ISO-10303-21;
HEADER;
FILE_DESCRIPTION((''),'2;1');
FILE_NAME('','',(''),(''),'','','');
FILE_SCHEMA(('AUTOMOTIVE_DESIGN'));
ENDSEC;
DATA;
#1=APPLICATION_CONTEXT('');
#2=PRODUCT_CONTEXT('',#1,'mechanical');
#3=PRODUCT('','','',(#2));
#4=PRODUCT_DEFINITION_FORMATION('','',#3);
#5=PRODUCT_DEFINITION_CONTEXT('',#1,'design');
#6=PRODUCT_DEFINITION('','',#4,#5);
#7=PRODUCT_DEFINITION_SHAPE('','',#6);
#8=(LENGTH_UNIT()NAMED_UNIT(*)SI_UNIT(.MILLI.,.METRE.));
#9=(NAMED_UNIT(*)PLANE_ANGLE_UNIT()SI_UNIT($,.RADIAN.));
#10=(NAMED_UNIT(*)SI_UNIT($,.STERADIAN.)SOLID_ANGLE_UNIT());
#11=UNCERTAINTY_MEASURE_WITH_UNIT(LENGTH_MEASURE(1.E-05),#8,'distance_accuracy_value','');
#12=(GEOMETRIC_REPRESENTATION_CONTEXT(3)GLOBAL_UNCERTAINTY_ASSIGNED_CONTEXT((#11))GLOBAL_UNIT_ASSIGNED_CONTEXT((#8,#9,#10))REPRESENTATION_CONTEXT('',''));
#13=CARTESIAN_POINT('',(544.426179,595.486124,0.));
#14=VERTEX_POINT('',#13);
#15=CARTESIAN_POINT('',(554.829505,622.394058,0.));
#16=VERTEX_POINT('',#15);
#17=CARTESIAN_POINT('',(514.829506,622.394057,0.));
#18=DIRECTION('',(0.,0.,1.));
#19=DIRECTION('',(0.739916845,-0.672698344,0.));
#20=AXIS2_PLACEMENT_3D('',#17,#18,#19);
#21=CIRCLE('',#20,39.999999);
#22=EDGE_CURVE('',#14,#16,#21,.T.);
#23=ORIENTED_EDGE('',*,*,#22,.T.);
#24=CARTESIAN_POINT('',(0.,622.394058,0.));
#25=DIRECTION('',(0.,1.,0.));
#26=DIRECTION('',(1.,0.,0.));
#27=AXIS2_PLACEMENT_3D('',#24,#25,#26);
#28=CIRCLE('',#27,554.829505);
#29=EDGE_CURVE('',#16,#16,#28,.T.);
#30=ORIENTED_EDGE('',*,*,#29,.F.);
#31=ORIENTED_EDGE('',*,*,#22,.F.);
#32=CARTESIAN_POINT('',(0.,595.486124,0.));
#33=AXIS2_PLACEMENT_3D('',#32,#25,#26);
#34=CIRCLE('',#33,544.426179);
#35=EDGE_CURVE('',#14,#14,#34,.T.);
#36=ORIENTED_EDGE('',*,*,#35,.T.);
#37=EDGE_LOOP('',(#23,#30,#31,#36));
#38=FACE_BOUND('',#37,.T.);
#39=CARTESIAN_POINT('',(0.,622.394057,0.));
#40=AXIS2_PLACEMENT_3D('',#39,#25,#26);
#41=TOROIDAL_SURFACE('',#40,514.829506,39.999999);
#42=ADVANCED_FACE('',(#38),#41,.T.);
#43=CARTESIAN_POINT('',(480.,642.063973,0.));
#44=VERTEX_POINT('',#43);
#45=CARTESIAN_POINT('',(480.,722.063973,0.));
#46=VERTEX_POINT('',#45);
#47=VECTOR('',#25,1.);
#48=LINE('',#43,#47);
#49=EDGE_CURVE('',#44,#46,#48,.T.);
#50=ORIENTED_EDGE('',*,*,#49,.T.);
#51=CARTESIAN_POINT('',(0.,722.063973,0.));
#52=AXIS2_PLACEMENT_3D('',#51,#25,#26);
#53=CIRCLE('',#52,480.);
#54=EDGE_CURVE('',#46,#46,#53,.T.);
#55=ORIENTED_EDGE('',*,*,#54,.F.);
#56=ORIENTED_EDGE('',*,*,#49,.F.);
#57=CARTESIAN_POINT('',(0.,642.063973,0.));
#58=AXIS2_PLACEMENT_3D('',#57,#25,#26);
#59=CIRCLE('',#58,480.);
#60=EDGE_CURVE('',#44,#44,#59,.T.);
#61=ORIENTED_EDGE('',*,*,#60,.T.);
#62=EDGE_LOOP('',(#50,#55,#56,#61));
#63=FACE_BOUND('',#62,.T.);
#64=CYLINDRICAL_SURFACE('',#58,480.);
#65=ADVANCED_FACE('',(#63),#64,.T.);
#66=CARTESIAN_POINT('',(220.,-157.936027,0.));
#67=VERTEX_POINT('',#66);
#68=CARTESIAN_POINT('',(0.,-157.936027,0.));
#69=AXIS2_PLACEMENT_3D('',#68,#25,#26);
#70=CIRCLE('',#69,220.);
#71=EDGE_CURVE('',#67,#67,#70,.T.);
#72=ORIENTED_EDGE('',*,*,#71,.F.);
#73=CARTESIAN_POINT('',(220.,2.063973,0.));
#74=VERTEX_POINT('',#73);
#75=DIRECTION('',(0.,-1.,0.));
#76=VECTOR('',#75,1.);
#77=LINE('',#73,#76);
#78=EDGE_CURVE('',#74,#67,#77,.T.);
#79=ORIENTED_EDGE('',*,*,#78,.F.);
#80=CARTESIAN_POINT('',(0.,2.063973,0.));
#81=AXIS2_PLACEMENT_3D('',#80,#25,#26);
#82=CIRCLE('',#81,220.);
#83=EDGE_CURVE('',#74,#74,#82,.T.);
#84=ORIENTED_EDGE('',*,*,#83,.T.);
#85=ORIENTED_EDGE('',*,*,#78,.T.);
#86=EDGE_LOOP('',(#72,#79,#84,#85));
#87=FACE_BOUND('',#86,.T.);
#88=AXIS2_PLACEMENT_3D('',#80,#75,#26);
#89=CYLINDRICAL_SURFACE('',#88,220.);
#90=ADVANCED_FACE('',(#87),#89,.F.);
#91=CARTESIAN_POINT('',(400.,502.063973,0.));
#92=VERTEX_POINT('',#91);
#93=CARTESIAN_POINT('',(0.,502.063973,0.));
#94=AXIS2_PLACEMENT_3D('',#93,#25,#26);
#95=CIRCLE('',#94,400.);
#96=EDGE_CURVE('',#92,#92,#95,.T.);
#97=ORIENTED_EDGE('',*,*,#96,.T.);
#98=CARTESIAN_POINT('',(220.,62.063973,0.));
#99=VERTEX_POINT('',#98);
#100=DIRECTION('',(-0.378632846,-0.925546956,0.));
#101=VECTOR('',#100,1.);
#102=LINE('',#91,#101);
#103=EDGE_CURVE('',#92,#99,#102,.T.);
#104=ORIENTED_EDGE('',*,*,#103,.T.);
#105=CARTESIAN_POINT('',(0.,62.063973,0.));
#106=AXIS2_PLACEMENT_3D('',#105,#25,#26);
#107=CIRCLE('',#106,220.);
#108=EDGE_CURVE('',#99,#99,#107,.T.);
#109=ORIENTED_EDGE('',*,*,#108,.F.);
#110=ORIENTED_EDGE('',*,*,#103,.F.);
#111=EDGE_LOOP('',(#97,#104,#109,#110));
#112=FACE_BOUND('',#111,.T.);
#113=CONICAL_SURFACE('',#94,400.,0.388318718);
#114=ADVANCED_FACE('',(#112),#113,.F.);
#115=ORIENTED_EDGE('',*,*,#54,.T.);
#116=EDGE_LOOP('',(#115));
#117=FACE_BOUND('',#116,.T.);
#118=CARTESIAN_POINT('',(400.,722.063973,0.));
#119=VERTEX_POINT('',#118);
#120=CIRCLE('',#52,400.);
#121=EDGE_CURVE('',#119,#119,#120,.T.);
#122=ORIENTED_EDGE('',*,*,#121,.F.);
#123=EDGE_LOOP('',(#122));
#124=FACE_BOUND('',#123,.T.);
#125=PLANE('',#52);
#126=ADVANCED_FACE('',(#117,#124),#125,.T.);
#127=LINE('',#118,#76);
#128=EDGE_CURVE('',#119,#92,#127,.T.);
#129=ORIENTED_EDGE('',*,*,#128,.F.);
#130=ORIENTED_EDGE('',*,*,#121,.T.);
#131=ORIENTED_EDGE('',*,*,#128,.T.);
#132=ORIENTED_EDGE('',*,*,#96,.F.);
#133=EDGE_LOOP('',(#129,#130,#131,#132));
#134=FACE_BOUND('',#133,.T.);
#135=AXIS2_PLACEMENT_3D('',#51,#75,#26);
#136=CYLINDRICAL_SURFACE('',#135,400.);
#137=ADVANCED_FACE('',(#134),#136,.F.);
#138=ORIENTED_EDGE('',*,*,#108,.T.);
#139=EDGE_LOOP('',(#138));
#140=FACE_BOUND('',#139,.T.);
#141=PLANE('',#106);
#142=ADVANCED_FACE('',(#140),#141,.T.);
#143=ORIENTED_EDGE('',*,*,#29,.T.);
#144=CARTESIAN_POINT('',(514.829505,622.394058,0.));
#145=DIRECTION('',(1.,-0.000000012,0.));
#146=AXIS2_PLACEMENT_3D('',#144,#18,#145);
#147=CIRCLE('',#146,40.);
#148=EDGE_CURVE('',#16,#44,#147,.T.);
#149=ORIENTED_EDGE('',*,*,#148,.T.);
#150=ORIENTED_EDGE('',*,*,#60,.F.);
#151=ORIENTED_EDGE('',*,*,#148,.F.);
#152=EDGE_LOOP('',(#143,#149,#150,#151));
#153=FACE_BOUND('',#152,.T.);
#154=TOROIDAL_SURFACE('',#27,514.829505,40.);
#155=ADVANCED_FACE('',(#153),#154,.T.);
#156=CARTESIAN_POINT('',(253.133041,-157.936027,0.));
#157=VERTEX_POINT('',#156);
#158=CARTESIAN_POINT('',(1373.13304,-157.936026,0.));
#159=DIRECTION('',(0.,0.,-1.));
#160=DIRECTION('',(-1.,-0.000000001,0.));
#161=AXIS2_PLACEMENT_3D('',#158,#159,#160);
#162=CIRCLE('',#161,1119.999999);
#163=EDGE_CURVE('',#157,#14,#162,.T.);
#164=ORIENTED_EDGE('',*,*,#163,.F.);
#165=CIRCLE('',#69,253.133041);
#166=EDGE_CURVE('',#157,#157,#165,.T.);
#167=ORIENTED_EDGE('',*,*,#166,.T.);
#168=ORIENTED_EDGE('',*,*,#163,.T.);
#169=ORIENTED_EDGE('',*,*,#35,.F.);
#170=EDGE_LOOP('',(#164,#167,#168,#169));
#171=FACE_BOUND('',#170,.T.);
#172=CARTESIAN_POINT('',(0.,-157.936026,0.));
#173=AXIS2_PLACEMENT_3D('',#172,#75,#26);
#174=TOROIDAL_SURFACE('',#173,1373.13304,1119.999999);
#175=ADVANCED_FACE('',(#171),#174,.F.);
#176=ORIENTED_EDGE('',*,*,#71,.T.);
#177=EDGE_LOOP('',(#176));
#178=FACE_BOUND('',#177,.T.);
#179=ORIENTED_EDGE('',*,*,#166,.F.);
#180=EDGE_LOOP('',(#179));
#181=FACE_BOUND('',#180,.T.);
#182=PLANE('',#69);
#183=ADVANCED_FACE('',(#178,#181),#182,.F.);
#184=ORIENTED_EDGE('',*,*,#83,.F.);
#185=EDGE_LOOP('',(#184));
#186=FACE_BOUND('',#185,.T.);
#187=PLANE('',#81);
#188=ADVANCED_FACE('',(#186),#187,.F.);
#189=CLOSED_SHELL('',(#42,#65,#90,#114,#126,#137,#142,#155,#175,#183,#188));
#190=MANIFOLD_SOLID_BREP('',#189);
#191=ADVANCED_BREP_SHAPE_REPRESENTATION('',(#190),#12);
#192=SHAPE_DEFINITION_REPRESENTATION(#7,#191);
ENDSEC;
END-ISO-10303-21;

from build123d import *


with BuildPart() as f1:
    # F0 (on Top) → F1 (revolve)
    with BuildSketch(Plane.XY):
        with BuildLine():
            Line((220, 2.063973), (220, -157.936027))
            Line((220, -157.936027), (253.133041, -157.936027))
            ThreePointArc((253.133041, -157.936027), (328.491551, 245.950291), (544.426179, 595.486124))
            ThreePointArc((544.426179, 595.486124), (491.39407, 589.978316), (480, 642.063973))
            Line((480, 642.063973), (480, 722.063973))
            Line((480, 722.063973), (400, 722.063973))
            Line((400, 722.063973), (400, 502.063973))
            Line((400, 502.063973), (220, 62.063973))
            Line((220, 62.063973), (0, 62.063973))
            Line((0, 62.063973), (0, 40.820677))
            Line((0, 40.820677), (0, 2.063973))
            Line((0, 2.063973), (220, 2.063973))
        make_face()
        with BuildLine():
            ThreePointArc((480, 642.063973), (491.39407, 589.978316), (544.426179, 595.486124))
            ThreePointArc((544.426179, 595.486124), (552.13813, 607.969547), (554.829505, 622.394058))
            ThreePointArc((554.829505, 622.394058), (524.998571, 661.079845), (480, 642.063973))
        make_face()
    revolve(axis=Axis((0, 32.063973, 0), (0, 1, 0)))


solid = f1.part
